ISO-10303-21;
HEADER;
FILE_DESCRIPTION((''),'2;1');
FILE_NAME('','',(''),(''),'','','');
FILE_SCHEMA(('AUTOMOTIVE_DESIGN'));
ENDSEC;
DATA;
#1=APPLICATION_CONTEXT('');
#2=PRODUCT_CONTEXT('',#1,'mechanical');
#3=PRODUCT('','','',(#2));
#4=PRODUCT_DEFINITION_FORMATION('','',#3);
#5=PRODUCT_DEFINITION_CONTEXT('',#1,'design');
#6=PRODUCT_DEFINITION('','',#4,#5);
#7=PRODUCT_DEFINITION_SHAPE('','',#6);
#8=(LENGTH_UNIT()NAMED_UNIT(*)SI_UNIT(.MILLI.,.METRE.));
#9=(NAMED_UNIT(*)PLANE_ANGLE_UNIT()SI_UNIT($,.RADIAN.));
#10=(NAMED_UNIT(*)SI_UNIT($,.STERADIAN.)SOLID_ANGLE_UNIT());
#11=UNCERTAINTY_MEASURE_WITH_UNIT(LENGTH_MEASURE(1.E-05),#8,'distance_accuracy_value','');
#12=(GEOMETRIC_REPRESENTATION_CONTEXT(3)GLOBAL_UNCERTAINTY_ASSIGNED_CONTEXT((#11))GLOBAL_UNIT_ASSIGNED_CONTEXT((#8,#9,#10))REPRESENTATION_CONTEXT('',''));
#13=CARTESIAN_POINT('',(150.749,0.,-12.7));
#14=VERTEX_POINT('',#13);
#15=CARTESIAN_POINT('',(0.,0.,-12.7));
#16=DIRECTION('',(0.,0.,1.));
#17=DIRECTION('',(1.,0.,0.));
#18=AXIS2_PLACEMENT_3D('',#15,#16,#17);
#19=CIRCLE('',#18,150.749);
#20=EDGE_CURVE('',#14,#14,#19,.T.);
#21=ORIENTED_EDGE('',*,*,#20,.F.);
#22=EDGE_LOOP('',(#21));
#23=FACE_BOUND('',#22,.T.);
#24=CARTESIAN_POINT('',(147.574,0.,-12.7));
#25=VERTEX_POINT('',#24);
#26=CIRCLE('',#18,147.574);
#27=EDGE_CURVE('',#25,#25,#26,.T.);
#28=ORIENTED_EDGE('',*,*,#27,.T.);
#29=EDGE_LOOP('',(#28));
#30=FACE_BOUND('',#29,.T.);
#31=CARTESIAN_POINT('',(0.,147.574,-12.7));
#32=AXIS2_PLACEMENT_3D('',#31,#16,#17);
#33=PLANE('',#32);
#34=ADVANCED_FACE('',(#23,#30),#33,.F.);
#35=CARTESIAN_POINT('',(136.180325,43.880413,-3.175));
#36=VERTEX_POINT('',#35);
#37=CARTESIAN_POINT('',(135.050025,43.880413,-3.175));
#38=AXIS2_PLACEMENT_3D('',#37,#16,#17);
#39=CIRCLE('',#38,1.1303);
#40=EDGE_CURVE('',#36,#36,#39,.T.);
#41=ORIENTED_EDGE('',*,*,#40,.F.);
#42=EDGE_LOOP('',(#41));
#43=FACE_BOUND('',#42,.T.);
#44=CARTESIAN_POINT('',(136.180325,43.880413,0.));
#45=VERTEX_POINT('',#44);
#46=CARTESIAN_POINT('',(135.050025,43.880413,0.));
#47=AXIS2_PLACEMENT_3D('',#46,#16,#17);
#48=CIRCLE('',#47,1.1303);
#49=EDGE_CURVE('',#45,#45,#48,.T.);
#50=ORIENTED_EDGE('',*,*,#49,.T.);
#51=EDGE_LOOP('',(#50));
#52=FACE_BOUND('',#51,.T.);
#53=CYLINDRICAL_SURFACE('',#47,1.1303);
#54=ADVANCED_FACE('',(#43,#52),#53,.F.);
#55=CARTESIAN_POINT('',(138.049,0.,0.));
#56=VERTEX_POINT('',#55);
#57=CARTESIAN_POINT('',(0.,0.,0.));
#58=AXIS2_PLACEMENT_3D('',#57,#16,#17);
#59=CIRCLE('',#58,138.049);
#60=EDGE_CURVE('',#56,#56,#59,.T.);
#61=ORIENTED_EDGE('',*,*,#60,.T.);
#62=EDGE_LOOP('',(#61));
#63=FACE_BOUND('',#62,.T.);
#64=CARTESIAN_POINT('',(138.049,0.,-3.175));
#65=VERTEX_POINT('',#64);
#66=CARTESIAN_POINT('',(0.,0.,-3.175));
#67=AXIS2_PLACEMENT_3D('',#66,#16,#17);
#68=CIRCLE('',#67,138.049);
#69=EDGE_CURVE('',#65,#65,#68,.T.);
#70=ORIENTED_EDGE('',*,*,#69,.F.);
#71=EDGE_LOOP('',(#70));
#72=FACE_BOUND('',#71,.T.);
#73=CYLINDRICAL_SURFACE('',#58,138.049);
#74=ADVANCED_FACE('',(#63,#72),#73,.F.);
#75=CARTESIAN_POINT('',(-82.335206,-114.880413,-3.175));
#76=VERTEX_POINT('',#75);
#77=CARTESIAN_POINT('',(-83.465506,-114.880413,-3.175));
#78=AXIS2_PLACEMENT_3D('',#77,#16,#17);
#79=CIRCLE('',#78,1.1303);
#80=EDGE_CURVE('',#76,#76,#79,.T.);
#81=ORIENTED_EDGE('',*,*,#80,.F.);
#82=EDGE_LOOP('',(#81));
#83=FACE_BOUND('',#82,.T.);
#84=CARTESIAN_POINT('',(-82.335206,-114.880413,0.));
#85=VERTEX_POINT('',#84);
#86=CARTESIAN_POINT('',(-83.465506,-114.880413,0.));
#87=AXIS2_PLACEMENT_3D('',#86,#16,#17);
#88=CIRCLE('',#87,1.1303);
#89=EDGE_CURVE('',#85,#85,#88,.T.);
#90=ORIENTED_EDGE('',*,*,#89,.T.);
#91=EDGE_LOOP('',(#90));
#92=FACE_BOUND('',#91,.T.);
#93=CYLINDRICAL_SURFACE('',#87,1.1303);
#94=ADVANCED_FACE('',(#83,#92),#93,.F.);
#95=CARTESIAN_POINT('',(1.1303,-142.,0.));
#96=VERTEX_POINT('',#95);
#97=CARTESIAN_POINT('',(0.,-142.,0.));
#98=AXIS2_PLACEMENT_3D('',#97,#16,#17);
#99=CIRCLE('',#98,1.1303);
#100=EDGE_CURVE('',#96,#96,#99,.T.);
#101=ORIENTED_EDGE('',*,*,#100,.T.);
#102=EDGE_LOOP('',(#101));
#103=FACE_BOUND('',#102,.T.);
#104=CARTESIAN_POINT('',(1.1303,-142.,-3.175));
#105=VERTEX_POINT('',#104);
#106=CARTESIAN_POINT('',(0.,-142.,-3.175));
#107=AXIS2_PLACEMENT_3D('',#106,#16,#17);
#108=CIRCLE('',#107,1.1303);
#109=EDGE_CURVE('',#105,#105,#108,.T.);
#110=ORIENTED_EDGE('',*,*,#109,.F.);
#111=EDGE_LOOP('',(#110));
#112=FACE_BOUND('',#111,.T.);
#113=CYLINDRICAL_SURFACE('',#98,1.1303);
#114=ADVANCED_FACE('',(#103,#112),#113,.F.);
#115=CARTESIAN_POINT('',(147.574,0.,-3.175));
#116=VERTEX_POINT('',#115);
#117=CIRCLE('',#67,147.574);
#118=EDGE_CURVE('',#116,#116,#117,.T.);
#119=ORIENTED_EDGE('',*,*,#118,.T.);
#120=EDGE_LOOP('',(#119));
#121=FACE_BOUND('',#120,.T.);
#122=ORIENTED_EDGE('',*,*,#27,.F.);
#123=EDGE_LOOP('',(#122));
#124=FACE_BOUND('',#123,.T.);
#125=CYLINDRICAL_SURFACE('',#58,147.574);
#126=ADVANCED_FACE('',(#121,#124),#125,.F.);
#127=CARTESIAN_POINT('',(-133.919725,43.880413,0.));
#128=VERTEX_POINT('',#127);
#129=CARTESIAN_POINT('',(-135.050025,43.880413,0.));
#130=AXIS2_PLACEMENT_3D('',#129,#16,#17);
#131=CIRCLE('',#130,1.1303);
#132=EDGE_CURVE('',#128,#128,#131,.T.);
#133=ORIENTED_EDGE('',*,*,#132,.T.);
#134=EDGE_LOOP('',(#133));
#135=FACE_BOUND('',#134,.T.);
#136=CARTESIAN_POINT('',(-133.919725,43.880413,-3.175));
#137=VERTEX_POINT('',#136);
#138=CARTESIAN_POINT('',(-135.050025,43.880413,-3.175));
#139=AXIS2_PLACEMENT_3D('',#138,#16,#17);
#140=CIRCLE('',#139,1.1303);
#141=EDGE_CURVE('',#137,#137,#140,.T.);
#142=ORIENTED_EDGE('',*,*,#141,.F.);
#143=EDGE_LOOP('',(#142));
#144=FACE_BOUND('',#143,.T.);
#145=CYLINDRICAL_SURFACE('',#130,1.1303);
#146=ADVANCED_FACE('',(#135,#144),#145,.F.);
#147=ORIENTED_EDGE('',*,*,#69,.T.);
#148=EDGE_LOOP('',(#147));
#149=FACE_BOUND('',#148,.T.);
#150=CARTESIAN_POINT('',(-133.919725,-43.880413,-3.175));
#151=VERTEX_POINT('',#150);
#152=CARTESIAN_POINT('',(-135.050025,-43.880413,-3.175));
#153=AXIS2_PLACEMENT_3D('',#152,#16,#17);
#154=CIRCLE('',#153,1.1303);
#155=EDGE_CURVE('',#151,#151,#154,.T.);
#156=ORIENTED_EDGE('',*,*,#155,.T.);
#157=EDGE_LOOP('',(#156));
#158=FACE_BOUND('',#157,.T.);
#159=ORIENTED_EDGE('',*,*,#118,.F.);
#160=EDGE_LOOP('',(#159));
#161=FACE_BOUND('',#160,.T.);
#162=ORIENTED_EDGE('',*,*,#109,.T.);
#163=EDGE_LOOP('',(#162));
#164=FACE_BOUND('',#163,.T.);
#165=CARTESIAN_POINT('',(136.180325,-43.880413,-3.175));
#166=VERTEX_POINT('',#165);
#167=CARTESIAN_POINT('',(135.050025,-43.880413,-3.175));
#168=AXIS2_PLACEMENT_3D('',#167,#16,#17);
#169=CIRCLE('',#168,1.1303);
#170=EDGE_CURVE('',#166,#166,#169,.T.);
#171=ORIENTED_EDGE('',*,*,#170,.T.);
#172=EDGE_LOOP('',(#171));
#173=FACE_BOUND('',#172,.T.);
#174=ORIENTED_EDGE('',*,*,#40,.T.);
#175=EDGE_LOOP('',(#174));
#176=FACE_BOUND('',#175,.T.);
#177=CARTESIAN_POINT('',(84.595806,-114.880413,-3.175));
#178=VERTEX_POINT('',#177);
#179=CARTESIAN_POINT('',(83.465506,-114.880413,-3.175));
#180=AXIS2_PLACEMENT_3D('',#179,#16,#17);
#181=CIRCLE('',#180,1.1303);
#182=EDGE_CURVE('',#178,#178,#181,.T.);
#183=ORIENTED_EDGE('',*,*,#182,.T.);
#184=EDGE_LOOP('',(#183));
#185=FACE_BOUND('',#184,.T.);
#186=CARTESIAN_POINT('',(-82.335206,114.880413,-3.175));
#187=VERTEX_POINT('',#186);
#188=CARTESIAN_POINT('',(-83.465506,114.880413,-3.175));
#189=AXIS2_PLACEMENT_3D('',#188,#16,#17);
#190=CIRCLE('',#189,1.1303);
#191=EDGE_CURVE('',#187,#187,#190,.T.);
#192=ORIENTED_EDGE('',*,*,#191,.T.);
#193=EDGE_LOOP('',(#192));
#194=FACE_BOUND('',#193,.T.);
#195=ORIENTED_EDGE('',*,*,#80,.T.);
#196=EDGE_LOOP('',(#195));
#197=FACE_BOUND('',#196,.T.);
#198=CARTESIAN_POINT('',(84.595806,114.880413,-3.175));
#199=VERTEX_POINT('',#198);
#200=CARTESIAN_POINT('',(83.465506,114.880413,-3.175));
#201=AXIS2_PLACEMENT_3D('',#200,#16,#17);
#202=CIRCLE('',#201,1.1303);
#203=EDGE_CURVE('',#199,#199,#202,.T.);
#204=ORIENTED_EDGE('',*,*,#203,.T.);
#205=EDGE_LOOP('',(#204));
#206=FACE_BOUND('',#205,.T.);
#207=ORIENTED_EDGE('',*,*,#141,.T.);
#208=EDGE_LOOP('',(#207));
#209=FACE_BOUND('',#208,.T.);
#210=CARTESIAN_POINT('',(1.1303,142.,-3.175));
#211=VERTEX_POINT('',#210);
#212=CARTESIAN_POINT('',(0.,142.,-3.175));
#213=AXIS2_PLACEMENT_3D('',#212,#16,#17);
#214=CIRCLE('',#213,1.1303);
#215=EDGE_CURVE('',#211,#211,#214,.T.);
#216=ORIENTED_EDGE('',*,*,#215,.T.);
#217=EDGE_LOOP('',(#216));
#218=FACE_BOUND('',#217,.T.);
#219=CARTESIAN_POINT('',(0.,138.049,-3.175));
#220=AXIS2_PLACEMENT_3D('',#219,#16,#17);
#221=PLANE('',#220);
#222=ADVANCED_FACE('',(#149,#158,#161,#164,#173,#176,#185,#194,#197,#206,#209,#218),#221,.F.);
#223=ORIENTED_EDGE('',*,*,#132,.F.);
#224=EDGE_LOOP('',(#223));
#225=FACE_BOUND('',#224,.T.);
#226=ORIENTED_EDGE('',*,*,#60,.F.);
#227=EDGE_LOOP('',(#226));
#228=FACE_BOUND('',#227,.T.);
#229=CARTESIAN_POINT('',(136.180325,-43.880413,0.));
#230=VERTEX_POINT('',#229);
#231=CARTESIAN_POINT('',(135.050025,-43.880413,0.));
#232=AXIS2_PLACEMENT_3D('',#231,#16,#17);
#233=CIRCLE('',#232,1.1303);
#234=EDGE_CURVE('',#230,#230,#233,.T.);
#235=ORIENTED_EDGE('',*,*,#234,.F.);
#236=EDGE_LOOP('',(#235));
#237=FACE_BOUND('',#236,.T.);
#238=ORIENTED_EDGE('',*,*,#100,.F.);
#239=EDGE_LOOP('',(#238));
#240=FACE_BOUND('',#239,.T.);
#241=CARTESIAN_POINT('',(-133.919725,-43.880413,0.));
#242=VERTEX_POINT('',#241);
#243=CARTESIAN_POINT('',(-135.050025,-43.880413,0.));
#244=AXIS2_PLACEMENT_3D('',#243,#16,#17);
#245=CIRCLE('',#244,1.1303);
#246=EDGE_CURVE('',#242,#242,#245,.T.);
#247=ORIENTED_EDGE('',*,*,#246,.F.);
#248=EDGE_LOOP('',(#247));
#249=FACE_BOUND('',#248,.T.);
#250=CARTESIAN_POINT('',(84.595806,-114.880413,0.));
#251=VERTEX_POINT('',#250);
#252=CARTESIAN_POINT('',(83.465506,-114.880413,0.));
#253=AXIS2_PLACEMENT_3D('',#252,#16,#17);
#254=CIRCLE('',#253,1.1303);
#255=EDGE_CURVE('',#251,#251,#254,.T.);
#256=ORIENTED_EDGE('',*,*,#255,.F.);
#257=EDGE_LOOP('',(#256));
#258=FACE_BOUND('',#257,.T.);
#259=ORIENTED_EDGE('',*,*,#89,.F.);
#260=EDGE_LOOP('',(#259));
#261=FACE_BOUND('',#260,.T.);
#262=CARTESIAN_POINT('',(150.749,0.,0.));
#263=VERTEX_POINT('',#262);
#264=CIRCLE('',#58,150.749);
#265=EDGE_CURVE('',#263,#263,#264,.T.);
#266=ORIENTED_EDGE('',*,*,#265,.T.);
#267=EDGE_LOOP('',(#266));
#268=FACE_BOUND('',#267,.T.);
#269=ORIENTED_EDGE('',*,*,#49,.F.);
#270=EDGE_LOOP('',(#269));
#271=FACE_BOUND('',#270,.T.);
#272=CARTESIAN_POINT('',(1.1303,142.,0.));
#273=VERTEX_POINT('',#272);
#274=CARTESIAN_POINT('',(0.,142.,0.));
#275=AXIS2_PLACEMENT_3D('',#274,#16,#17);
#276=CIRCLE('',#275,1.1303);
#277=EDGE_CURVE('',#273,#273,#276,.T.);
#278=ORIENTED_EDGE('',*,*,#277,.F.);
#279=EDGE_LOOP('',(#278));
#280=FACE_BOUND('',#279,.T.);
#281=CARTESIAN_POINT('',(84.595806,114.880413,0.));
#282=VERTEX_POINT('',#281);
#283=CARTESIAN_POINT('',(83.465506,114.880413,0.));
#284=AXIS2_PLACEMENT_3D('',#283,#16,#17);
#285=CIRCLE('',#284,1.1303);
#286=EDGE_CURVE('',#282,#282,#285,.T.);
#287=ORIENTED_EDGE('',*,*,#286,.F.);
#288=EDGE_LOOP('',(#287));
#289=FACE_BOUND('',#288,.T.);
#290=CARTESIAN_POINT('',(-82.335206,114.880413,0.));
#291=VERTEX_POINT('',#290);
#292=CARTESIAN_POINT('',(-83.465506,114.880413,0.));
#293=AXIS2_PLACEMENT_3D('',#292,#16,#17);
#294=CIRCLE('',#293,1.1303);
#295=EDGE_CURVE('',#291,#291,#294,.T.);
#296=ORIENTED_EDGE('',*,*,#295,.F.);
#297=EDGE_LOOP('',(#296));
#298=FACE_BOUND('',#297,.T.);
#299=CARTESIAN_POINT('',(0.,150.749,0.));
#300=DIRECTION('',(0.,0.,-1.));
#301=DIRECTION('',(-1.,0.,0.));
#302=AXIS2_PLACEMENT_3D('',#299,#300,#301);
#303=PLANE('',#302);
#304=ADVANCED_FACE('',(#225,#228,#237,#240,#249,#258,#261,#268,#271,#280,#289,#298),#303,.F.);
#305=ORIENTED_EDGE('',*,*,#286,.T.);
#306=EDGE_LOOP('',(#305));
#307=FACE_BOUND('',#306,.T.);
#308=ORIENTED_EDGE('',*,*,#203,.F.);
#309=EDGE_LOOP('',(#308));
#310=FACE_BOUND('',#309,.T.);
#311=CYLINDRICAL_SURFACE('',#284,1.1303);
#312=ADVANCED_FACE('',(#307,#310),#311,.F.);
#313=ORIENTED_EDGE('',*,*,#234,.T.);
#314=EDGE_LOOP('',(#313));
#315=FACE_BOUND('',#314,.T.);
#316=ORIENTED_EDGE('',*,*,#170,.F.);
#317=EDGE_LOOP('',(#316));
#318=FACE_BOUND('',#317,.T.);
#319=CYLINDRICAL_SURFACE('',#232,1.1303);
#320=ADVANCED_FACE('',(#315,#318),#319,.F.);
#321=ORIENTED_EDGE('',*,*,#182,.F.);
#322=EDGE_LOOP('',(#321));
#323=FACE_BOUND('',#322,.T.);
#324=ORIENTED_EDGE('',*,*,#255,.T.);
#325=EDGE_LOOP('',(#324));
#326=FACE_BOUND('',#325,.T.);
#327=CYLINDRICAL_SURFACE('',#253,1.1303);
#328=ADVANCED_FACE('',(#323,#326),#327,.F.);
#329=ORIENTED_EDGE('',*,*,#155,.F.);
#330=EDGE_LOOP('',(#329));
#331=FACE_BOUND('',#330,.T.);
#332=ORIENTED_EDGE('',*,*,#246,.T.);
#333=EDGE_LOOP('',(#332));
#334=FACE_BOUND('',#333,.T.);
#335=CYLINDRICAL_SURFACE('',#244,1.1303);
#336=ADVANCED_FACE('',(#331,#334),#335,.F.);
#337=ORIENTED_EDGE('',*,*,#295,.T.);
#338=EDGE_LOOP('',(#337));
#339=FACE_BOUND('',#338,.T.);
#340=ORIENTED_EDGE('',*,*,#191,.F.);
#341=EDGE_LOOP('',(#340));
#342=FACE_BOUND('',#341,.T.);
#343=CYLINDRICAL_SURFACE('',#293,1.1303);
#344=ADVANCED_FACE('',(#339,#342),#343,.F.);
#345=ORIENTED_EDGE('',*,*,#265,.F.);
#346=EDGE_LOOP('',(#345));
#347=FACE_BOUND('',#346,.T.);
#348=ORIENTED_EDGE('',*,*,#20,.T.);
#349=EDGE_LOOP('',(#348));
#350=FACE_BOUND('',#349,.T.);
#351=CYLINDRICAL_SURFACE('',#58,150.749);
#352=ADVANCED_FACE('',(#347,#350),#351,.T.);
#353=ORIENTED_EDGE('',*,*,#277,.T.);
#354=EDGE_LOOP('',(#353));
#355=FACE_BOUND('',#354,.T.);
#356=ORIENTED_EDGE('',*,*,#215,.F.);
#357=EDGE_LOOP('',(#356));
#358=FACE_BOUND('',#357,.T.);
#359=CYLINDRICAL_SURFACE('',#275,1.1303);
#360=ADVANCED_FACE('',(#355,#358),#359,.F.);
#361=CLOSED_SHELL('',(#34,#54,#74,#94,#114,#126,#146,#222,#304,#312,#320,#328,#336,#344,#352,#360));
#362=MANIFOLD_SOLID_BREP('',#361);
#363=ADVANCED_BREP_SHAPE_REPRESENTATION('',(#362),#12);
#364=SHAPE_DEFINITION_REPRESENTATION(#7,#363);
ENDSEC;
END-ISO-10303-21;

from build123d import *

# Parameters (mm, degrees)
F_4_40_TAPPED_HOLE1_D = 2.2606
CIRPATTERN1_COUNT     = 10


with BuildPart() as part:
    # Sketch1 → Revolve1 (revolve)
    with BuildSketch(Plane(origin=(0, 0, 0), x_dir=(0, 0, -1), z_dir=(1, 0, 0)), mode=Mode.PRIVATE) as revolve1_sk:
        Polygon((3.175, 147.574), (12.7, 147.574), (12.7, 150.749), (0, 150.749), (0, 138.049), (3.175, 138.049), align=None)
    revolve(revolve1_sk.sketch.rotate(Axis((0, 0, 0), (0, 0, -1)), 90), axis=Axis((0, 0, 0), (0, 0, -1)))

    # #4-40 Tapped Hole1 (through all)
    with Locations(Plane.XY):
        with Locations((0, 142)):
            f_4_40_tapped_hole1 = Hole(F_4_40_TAPPED_HOLE1_D / 2)

    # CirPattern1: #4-40 Tapped Hole1 ×10 about axis
    cirpattern1_axis = Axis((0, 0, 0), (0, 0, 1))
    for i in range(1, CIRPATTERN1_COUNT):
        add(f_4_40_tapped_hole1.rotate(cirpattern1_axis, i * 360 / CIRPATTERN1_COUNT), mode=Mode.SUBTRACT)


solid = part.part
